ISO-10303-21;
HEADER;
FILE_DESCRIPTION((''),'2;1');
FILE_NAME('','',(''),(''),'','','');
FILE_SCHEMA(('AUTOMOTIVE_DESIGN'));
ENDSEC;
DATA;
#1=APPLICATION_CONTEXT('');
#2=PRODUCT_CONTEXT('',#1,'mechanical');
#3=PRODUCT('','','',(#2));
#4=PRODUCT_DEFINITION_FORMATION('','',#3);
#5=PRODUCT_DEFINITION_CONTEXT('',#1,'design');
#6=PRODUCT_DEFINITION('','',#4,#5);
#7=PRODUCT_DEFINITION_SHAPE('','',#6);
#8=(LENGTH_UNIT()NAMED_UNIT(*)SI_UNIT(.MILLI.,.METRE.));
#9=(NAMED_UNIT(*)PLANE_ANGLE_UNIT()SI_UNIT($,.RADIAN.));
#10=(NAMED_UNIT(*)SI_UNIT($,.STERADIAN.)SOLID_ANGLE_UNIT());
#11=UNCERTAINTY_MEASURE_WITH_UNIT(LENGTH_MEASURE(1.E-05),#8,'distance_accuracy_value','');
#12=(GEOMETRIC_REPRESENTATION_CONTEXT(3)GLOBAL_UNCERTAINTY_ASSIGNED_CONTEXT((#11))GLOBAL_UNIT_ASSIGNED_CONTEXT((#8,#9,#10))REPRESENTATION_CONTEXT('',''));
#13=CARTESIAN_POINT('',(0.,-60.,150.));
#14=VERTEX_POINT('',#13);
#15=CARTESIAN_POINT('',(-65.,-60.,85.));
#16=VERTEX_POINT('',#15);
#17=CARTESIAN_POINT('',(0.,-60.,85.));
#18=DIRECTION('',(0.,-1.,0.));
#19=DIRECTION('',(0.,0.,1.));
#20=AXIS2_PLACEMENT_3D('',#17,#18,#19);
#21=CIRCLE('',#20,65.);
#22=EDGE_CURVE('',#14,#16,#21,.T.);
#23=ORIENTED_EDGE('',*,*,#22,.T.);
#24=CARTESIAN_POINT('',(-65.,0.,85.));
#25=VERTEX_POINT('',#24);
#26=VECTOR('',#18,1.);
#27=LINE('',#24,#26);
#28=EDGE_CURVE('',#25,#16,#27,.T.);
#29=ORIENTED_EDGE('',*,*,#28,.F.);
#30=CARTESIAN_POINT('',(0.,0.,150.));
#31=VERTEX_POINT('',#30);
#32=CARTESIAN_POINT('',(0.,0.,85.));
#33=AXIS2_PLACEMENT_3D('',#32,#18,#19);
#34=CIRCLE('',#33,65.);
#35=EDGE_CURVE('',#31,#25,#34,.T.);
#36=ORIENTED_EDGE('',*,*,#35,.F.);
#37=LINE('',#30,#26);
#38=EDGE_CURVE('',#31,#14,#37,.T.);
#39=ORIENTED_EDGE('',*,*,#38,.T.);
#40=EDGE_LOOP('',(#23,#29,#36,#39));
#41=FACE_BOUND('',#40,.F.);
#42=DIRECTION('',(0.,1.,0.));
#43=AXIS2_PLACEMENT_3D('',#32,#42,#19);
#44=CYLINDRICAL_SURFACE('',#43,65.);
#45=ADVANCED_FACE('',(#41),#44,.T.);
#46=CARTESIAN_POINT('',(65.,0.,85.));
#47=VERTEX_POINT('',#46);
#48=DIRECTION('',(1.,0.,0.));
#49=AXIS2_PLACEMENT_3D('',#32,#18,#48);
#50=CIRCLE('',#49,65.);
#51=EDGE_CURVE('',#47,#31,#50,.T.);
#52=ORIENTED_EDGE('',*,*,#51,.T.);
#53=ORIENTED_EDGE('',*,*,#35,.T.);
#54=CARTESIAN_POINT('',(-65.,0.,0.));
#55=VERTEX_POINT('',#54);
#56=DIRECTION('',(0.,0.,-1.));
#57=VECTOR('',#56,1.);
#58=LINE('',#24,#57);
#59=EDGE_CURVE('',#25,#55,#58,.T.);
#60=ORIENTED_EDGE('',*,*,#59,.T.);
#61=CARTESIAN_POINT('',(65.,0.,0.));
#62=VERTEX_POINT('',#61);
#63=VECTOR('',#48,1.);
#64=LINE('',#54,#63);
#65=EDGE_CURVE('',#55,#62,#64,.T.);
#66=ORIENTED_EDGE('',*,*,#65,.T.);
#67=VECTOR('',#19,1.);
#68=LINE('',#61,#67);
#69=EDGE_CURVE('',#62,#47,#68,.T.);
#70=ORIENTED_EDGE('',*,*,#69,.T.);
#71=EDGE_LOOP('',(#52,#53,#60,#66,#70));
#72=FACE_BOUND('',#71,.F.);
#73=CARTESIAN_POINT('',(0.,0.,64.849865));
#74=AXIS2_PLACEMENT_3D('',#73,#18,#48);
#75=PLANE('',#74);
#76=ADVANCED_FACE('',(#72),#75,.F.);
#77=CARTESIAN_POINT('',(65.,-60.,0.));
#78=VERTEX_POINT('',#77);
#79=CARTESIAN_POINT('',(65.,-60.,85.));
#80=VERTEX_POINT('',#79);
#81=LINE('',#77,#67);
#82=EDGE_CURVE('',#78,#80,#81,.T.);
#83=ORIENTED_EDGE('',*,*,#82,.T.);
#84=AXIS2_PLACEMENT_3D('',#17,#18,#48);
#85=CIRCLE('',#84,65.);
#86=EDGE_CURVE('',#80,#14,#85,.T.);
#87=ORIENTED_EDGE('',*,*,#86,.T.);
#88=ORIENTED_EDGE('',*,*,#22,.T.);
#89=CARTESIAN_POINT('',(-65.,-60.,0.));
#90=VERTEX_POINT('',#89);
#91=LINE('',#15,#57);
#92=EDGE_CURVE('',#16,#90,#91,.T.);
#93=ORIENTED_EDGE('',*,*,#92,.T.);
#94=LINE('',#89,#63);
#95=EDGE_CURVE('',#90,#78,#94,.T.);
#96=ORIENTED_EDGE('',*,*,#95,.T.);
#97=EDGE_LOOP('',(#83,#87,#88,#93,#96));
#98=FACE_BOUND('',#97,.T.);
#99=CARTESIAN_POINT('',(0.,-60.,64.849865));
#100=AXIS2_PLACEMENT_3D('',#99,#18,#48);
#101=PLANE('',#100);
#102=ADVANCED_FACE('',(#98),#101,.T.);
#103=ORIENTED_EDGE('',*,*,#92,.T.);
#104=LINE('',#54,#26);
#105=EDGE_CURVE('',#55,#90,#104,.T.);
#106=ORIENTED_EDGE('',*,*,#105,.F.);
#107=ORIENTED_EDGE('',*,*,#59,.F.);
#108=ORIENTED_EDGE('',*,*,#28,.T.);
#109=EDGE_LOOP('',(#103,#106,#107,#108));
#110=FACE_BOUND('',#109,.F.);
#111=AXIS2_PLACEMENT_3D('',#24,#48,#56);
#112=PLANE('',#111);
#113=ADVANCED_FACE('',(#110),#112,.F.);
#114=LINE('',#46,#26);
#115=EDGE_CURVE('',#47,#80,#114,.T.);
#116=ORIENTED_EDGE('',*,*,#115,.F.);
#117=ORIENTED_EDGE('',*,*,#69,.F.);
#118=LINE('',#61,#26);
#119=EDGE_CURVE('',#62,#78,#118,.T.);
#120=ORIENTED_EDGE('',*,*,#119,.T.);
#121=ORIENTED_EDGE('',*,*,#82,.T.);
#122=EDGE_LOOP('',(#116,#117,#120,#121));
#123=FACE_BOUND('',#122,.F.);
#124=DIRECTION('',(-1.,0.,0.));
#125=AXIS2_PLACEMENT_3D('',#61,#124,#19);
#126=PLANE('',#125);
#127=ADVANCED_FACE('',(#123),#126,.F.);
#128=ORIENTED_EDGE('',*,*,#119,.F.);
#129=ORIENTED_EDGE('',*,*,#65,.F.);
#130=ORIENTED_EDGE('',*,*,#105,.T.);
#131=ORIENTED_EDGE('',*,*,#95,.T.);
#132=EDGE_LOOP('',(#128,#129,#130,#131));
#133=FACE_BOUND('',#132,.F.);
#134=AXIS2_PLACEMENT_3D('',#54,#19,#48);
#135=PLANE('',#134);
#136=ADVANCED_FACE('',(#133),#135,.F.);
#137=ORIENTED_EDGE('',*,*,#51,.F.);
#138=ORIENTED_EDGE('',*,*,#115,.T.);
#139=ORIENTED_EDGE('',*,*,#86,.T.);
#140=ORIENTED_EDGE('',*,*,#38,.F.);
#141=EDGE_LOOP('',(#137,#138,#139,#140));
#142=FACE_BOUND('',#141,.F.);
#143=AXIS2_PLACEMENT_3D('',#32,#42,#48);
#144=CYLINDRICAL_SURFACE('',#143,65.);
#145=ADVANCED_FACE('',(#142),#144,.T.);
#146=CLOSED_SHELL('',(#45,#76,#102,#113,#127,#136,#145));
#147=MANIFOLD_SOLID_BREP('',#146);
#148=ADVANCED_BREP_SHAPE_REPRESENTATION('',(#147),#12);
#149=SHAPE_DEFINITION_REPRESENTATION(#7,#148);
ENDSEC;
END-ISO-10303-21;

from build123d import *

# Parameters (mm, degrees)
F3_DEPTH = 60


with BuildPart() as f3:
    # F0 (on Front) → F3 (new body)
    with BuildSketch(Plane.XZ):
        with BuildLine():
            Line((-65, 85), (-65, 0))
            Line((-65, 0), (65, 0))
            Line((65, 0), (65, 85))
            ThreePointArc((65, 85), (45.9619407771, 130.9619407771), (0, 150))
            ThreePointArc((0, 150), (-45.9619407771, 130.9619407771), (-65, 85))
        make_face()
    extrude(amount=F3_DEPTH)


solid = f3.part
